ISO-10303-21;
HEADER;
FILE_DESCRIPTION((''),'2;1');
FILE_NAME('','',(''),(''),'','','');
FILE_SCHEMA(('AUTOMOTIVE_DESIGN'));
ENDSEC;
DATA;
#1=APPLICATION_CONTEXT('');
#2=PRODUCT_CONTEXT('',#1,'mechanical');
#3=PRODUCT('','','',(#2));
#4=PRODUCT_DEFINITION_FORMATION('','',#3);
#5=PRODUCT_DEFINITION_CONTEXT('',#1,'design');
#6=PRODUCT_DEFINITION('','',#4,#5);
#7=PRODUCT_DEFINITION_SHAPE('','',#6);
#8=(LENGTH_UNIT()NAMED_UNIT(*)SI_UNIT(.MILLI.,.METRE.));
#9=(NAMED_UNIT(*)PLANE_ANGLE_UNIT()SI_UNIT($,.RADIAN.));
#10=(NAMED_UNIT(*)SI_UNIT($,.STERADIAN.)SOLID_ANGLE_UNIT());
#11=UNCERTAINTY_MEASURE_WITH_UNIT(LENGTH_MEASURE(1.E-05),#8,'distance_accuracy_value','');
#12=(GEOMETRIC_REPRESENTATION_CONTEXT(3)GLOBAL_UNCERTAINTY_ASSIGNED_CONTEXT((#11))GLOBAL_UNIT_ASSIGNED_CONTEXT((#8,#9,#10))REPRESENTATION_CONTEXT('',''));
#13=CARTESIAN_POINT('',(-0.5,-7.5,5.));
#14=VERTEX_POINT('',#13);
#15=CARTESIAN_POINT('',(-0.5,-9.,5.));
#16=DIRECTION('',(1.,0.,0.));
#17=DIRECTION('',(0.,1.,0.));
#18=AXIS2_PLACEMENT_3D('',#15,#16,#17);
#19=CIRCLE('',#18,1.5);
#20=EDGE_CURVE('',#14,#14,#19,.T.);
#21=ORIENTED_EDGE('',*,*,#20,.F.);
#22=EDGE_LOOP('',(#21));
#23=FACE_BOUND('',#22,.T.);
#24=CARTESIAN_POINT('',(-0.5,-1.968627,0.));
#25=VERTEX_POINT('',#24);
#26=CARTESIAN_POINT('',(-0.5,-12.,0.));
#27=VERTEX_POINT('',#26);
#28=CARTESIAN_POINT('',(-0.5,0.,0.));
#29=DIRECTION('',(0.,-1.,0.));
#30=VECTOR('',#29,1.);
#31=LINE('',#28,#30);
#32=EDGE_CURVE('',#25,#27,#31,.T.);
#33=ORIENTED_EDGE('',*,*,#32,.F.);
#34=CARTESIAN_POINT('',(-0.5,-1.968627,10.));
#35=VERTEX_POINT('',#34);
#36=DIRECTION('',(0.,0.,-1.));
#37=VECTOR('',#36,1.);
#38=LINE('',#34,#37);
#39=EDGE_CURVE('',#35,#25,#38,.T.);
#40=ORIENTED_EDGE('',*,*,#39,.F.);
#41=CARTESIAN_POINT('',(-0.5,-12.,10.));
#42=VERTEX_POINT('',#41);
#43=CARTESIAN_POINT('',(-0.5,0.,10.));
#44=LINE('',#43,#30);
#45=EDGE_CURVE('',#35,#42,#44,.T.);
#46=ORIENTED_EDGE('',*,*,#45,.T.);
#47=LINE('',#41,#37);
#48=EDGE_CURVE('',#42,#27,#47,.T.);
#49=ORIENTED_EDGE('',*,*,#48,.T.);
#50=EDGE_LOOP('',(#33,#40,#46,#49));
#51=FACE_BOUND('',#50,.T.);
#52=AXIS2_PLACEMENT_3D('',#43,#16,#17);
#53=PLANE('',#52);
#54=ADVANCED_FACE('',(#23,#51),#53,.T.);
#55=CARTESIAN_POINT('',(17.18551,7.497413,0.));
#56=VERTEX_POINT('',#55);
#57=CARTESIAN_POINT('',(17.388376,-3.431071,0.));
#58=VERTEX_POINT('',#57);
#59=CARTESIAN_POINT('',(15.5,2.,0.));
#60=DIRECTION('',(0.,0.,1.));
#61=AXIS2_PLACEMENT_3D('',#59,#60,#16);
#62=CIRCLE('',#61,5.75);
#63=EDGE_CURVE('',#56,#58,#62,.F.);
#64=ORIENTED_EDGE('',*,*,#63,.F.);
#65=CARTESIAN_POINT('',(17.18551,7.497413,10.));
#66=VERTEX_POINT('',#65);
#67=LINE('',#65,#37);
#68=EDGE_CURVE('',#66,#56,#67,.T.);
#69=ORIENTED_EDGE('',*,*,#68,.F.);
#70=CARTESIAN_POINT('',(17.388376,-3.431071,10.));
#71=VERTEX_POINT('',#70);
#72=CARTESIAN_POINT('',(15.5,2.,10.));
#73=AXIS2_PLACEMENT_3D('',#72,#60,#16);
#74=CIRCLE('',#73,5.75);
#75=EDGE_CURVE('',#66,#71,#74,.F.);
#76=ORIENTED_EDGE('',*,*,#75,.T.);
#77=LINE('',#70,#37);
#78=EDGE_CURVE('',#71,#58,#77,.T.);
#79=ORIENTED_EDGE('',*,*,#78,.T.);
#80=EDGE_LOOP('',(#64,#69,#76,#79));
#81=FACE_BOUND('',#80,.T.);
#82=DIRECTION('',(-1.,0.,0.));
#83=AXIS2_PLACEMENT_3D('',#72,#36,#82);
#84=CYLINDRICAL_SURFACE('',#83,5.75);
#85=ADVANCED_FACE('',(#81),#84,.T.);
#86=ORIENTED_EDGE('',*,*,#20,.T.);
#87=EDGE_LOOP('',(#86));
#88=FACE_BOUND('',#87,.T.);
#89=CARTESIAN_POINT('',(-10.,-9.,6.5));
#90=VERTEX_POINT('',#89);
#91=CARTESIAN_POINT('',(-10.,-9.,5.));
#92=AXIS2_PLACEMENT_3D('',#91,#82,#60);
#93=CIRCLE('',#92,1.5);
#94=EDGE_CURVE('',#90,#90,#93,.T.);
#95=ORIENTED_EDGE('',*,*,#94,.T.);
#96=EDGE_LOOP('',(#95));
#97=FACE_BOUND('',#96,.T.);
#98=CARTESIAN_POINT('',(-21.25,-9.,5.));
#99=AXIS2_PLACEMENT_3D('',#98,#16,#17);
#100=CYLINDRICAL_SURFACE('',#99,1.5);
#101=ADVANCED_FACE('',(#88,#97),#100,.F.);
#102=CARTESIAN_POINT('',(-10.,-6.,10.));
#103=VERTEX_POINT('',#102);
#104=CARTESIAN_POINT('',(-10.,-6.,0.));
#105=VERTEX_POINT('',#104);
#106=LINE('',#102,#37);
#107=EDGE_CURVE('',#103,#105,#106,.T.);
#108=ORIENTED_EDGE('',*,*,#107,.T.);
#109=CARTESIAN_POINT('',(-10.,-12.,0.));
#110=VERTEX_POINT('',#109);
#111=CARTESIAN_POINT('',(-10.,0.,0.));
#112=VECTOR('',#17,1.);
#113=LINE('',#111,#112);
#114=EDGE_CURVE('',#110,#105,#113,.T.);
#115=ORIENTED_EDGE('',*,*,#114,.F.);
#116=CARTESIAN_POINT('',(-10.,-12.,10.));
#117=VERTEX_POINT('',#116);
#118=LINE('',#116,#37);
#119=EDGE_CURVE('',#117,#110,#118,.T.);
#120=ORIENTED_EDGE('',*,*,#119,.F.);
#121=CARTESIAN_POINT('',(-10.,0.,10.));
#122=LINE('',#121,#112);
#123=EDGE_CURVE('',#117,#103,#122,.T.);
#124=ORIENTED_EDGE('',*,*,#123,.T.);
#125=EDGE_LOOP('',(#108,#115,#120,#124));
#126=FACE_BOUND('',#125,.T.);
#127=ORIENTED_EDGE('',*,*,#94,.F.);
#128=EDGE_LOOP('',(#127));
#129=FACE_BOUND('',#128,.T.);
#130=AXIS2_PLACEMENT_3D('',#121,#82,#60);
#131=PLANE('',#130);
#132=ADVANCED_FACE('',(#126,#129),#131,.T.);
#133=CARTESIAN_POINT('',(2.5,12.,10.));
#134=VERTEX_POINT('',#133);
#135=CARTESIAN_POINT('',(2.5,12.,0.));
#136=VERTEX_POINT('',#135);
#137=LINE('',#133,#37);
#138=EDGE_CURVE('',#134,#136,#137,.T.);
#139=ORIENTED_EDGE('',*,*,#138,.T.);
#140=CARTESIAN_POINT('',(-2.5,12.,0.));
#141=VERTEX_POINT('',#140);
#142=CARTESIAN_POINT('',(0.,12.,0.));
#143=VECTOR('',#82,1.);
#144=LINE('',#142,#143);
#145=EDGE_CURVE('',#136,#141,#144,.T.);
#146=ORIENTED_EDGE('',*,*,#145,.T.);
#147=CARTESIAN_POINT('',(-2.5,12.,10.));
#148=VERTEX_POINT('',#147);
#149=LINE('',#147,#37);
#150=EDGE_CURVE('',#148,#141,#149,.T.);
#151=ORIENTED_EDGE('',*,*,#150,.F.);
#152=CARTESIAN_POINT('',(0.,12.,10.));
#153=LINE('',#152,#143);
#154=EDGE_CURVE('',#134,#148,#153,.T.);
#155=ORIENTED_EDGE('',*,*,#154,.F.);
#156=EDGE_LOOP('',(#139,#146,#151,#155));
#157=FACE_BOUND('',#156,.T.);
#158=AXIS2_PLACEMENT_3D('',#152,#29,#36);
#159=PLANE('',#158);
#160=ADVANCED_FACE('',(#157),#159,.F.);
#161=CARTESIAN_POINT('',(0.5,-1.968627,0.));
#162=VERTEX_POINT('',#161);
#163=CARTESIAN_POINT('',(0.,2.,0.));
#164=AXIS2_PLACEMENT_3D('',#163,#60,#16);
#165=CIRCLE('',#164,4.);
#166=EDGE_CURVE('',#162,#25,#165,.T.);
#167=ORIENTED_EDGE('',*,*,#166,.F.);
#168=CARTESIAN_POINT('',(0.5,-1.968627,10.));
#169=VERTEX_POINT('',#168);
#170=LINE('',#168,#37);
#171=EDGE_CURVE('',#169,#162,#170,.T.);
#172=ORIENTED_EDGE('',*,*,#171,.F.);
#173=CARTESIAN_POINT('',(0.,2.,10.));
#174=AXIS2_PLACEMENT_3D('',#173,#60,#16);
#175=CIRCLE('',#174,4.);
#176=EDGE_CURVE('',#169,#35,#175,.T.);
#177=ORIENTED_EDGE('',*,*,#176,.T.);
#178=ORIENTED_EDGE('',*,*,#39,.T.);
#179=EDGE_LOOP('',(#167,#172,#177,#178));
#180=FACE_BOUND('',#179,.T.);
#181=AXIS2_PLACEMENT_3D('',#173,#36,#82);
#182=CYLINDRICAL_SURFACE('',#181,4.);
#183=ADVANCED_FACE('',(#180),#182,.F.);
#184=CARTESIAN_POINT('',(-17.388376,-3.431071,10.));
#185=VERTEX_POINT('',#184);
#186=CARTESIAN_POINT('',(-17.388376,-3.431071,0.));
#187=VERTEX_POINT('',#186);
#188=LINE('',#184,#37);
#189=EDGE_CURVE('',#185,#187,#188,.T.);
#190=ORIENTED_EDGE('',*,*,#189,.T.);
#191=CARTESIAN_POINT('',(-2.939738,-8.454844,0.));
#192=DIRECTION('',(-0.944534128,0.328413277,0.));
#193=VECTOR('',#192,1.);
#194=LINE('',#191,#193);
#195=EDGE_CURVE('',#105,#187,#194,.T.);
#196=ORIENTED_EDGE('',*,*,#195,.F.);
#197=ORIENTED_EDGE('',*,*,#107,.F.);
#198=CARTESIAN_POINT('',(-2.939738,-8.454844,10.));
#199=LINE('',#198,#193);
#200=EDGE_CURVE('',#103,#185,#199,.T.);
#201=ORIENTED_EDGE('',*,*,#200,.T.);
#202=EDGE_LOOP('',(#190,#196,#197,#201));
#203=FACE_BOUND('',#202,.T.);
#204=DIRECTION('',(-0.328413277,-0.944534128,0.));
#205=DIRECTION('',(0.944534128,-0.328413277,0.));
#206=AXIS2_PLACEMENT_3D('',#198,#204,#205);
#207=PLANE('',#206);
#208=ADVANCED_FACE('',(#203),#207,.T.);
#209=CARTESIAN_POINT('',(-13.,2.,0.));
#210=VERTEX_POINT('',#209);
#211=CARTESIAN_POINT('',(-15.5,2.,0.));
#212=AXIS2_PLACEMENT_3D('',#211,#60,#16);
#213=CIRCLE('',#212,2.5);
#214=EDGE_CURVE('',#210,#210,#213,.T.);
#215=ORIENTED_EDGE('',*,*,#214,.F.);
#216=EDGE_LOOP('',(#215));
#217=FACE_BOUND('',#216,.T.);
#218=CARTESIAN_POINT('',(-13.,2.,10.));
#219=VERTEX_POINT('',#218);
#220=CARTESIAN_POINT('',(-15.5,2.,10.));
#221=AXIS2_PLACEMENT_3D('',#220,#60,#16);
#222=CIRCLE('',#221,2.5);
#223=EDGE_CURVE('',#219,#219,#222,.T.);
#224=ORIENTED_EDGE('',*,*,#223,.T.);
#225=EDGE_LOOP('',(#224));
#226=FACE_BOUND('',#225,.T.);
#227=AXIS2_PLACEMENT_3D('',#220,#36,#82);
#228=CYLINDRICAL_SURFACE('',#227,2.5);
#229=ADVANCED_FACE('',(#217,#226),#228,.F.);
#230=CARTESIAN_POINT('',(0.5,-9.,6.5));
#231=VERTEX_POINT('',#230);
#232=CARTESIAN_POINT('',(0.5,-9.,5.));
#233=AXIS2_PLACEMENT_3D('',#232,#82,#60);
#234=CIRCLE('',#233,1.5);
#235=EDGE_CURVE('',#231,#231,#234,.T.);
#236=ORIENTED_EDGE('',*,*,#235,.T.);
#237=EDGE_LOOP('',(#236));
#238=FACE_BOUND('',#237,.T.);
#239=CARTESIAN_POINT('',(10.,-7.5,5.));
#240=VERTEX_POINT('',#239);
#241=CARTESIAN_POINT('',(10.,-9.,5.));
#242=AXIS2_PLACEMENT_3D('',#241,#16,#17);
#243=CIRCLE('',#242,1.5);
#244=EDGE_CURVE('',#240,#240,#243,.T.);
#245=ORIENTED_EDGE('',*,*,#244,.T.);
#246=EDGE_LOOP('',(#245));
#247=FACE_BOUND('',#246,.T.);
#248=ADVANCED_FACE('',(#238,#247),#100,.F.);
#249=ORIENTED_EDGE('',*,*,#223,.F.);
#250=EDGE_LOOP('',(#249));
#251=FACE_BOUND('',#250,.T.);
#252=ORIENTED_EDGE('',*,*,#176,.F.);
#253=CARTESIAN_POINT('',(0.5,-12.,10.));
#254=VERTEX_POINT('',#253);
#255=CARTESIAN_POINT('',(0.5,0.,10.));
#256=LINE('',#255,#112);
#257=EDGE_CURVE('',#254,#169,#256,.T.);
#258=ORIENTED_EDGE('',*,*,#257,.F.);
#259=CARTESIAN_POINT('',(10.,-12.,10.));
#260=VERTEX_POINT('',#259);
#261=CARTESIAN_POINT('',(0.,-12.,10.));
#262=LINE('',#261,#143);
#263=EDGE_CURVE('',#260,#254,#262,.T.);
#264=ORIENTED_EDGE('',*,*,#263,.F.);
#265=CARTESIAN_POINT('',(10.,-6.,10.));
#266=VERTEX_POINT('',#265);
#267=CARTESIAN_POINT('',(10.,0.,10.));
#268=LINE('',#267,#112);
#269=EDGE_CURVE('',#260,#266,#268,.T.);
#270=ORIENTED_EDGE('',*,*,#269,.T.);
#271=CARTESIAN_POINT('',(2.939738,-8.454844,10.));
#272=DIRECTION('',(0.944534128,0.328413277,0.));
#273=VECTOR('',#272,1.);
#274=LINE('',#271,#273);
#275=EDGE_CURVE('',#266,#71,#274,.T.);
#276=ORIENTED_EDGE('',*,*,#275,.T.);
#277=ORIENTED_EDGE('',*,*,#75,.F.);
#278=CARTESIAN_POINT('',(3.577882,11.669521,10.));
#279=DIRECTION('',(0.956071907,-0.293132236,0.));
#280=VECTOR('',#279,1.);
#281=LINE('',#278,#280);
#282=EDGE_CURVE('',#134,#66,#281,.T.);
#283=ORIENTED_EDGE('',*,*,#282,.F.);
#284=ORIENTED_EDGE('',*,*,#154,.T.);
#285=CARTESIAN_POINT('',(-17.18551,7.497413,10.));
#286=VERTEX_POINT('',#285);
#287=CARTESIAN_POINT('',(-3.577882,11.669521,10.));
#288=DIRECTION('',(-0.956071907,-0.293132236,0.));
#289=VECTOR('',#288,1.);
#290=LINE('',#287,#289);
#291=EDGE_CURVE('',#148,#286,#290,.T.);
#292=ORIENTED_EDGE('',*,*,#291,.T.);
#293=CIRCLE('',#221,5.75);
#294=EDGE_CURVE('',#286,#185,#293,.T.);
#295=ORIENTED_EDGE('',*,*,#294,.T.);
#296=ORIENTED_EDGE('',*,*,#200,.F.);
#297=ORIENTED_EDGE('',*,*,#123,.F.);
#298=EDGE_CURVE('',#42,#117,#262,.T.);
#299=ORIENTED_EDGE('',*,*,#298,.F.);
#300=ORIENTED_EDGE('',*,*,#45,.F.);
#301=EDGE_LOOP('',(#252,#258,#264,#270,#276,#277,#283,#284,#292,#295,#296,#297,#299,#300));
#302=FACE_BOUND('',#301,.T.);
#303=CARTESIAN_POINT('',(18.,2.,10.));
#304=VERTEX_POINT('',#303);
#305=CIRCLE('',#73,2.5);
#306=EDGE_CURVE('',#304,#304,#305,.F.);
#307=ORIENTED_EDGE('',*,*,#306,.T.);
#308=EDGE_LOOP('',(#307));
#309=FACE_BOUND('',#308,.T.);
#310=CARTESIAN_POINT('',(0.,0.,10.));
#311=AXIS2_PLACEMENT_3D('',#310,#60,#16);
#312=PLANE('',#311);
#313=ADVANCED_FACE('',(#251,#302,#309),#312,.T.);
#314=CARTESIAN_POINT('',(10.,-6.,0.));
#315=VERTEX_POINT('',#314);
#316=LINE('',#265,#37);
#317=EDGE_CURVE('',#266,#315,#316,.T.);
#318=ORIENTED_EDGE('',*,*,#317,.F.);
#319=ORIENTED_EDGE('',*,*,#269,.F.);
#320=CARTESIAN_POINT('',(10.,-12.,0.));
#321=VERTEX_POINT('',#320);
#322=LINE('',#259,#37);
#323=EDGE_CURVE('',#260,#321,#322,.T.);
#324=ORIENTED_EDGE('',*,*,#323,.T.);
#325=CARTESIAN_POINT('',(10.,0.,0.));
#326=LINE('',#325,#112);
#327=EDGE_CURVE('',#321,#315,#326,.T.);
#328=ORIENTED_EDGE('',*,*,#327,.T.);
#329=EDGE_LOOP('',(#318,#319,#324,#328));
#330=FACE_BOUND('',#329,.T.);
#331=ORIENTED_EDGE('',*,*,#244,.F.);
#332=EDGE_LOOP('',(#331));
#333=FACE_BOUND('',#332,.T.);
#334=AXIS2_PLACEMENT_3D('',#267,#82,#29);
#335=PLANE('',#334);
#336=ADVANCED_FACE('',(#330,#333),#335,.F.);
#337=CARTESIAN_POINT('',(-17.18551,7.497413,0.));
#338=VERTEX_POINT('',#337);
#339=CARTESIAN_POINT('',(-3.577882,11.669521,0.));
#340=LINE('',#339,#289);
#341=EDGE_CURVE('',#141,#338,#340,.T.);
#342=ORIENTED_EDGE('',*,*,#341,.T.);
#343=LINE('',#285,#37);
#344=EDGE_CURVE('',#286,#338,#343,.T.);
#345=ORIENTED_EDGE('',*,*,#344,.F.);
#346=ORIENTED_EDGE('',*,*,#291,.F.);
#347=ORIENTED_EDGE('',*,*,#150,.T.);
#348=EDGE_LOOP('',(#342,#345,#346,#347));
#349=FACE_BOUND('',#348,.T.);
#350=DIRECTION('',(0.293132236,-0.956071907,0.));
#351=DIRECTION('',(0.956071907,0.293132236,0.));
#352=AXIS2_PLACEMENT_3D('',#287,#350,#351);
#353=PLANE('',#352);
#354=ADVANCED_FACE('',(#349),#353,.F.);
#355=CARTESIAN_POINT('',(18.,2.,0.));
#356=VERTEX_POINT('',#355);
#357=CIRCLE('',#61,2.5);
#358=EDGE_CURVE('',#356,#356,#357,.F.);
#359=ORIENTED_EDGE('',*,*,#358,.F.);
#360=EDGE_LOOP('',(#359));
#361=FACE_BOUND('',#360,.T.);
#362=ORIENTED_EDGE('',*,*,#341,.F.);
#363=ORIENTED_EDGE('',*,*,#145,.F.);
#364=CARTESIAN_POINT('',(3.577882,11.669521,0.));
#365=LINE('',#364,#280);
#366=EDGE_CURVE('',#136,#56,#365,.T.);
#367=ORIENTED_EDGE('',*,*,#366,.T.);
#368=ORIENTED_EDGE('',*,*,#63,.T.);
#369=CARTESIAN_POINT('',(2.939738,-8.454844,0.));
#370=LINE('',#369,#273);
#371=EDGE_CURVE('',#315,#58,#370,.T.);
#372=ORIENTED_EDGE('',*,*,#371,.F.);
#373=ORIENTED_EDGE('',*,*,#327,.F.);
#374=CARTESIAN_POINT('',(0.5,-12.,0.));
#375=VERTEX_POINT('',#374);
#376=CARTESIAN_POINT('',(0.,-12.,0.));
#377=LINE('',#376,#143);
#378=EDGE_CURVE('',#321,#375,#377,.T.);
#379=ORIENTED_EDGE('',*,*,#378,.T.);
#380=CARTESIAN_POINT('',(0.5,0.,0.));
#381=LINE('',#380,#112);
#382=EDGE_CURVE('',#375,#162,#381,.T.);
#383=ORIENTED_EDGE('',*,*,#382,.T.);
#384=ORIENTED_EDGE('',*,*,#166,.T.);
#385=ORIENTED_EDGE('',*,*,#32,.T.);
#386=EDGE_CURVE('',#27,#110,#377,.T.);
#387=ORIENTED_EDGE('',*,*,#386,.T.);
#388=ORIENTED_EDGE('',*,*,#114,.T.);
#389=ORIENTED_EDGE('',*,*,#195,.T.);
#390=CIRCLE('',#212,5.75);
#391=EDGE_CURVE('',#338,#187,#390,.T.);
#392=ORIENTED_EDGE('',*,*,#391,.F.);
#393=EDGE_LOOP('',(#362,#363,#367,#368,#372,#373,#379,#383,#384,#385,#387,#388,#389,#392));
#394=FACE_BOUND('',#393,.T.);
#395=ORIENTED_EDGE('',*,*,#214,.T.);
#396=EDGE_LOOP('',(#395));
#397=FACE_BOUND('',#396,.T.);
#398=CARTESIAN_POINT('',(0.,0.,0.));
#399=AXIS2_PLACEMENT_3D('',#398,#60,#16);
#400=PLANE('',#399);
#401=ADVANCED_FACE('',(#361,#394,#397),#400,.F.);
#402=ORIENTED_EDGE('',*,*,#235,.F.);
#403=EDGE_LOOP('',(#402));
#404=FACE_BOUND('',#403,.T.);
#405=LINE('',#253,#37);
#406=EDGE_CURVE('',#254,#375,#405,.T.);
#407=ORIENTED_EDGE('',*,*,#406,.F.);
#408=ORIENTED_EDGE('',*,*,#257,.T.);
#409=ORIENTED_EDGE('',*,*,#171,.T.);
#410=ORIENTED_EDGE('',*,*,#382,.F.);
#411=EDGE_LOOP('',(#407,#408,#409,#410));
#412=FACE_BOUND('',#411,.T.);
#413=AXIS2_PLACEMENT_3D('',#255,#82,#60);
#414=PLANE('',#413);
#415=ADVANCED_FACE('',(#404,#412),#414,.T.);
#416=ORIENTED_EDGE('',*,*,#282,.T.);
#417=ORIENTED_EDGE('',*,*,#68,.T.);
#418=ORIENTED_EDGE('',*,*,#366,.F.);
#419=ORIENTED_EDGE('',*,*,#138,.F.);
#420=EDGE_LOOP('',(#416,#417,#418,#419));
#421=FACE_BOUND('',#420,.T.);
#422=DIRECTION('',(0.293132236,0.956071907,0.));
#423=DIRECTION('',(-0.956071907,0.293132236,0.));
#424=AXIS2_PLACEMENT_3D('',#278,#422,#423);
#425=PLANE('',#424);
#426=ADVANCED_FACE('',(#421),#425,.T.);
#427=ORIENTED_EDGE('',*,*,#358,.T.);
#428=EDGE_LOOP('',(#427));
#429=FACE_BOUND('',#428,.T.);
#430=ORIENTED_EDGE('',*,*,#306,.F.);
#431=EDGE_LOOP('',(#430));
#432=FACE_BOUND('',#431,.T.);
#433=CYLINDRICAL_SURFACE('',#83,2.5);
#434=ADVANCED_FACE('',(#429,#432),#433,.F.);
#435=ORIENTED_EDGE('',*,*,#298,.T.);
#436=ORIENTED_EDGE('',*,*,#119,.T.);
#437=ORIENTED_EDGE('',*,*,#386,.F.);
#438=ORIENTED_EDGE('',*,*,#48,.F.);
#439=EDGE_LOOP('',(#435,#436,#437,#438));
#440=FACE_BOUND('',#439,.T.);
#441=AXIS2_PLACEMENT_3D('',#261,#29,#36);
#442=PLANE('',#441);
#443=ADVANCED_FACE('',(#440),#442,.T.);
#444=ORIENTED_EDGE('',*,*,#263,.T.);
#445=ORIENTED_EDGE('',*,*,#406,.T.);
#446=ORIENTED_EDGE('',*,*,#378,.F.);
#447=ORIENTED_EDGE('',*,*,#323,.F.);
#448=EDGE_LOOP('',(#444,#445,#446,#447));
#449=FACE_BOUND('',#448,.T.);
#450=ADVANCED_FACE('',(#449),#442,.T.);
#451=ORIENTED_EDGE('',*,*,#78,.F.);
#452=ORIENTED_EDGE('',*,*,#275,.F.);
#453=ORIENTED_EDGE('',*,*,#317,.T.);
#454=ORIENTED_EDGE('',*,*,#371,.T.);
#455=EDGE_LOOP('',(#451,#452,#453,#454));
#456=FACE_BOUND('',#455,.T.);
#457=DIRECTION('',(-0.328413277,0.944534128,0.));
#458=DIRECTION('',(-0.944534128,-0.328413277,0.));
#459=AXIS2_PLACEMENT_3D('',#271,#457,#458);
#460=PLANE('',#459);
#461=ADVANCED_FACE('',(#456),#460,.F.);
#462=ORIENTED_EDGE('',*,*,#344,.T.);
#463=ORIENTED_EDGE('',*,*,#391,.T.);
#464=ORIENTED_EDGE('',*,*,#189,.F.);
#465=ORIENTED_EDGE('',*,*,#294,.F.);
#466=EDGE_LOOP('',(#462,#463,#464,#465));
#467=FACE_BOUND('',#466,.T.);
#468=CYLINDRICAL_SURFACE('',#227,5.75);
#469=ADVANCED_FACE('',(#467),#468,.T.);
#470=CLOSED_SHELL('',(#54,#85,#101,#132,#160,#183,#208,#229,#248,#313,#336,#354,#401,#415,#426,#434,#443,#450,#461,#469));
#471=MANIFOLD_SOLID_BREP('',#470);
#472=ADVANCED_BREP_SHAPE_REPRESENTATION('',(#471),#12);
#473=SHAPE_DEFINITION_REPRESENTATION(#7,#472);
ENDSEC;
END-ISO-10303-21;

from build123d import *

# Parameters (mm, degrees)
SKETCH_1_R          = 2.5
EXTRUDE_1_DEPTH     = 10
SKETCH_2_R          = 1.5
CUT_EXTRUDE_1_DEPTH = 35.936549629


with BuildPart() as part:
    # 草图1 → 凸台-拉伸1 (new body)
    with BuildSketch(Plane.XY):
        with BuildLine():
            Line((0.5, -12), (10, -12))
            Line((10, -12), (10, -6))
            Line((10, -6), (17.388376345, -3.431071237))
            ThreePointArc((17.388376345, -3.431071237), (21.249009569, 2.10671914), (17.185510359, 7.497413467))
            Line((17.185510359, 7.497413467), (2.5, 12))
            Line((2.5, 12), (-2.5, 12))
            Line((-2.5, 12), (-17.185510359, 7.497413467))
            ThreePointArc((-17.185510359, 7.497413467), (-20.123536772, 5.418392563), (-21.25, 2))
            ThreePointArc((-21.25, 2), (-20.186185228, -1.331991598), (-17.388376345, -3.431071237))
            Line((-17.388376345, -3.431071237), (-10, -6))
            Line((-10, -6), (-10, -12))
            Line((-10, -12), (-0.5, -12))
            Line((-0.5, -12), (-0.5, -6))
            Line((-0.5, -6), (-0.5, -1.968626967))
            ThreePointArc((-0.5, -1.968626967), (0, 6), (0.5, -1.968626967))
            Line((0.5, -1.968626967), (0.5, -6))
            Line((0.5, -6), (0.5, -12))
        make_face()
        with Locations((-15.5, 2)):
            Circle(SKETCH_1_R, mode=Mode.SUBTRACT)
        with Locations((15.5, 2)):
            Circle(SKETCH_1_R, mode=Mode.SUBTRACT)
    extrude(amount=EXTRUDE_1_DEPTH)

    # 草图2 → 切除-拉伸1 (cut, through all)
    with BuildSketch(Plane(origin=(10, 0, 0), x_dir=(0, 0, -1), z_dir=(1, 0, 0))):
        with Locations((-5, -9)):
            Circle(SKETCH_2_R)
    extrude(amount=-CUT_EXTRUDE_1_DEPTH, mode=Mode.SUBTRACT)


solid = part.part
